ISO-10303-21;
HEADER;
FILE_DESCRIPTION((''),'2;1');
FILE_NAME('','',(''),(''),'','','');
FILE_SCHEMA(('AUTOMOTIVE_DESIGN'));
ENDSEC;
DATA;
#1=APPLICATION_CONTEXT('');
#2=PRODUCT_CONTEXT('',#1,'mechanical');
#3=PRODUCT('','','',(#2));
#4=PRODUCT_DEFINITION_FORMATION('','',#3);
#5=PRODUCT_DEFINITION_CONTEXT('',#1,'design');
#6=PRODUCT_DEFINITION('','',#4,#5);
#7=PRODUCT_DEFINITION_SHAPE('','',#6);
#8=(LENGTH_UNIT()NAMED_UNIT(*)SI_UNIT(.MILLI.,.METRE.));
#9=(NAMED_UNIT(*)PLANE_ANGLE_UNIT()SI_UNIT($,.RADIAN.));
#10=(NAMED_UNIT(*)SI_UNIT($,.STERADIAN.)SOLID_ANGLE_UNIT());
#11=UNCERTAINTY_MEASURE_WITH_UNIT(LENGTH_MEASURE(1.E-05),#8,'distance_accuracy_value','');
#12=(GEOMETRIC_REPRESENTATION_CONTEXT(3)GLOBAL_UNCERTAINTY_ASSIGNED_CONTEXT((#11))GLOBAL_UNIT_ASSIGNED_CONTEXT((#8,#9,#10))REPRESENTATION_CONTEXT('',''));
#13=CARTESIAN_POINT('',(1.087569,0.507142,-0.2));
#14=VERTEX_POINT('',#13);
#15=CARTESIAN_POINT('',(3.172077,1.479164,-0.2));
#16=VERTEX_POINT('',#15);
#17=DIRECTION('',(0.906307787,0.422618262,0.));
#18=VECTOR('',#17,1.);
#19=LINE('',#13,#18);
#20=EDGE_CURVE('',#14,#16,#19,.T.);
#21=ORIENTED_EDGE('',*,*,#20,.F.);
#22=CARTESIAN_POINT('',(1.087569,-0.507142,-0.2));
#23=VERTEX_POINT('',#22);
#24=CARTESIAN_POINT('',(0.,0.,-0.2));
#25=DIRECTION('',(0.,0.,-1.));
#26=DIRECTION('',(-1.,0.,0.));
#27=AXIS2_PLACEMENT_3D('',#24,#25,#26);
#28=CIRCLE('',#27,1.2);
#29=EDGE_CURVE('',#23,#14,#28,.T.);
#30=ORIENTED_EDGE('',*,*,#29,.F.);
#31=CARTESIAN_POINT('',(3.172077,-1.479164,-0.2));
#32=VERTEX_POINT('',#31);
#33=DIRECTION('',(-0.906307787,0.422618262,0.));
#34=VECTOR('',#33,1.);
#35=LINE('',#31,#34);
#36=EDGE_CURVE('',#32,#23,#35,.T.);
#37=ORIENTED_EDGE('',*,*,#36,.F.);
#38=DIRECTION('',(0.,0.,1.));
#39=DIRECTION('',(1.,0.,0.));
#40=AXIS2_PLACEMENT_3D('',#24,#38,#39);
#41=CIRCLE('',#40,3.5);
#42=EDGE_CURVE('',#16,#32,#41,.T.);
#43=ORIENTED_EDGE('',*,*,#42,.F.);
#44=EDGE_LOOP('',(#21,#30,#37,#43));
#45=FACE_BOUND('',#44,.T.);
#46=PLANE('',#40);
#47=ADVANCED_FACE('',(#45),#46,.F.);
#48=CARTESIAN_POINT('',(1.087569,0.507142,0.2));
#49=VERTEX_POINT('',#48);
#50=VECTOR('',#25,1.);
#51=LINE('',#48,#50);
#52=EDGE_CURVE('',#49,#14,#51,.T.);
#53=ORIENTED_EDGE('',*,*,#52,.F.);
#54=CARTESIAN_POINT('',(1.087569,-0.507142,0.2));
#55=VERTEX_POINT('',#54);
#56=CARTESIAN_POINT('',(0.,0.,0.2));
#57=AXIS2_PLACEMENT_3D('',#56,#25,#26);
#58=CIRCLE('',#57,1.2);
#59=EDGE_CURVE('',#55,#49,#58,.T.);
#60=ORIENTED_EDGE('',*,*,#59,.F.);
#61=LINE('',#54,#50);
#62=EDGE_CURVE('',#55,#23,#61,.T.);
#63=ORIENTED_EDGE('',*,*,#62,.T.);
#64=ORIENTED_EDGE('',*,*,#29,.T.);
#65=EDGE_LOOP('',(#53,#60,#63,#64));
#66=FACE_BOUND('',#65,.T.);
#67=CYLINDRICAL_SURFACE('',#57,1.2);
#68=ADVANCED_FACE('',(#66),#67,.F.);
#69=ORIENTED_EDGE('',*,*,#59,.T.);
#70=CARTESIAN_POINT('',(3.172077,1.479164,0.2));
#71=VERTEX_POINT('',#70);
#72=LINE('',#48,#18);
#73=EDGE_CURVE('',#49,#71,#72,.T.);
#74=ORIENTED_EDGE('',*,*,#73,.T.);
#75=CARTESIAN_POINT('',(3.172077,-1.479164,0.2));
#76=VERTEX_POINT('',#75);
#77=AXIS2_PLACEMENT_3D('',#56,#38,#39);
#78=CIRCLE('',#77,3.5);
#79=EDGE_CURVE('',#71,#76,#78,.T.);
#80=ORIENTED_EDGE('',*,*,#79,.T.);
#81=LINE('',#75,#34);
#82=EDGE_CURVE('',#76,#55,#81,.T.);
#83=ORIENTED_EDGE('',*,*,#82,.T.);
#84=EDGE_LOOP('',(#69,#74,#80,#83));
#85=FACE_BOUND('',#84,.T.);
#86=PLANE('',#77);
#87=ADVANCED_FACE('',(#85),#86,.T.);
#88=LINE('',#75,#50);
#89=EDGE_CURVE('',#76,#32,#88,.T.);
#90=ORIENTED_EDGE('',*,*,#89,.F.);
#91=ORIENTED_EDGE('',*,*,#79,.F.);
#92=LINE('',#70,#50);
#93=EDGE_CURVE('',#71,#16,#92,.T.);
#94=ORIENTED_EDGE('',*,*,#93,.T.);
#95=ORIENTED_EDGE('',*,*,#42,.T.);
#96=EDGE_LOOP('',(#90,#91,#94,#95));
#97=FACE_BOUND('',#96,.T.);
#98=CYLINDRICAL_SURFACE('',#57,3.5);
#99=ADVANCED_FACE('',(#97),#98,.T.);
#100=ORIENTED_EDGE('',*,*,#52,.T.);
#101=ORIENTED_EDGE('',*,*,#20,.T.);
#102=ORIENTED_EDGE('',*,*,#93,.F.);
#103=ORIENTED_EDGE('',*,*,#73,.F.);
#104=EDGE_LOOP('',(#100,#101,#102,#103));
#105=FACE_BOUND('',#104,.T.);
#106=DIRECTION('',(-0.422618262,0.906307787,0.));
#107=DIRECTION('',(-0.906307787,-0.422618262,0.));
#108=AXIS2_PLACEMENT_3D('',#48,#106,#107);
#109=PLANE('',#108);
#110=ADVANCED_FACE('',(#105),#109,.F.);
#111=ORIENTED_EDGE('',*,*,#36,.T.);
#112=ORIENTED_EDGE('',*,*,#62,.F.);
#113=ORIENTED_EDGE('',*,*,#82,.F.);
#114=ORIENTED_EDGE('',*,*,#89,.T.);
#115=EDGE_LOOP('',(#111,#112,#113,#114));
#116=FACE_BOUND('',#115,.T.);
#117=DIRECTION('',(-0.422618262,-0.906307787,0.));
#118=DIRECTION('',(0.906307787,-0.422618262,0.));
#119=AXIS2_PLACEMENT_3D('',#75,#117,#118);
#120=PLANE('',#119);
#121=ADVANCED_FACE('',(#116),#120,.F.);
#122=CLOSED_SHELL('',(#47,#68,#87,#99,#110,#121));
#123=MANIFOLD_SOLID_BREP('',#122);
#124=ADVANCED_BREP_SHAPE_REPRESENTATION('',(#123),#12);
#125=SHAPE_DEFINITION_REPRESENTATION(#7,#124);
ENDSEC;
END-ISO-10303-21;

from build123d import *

# Parameters (mm, degrees)
EXTRUDE_1_DEPTH = 0.2


with BuildPart() as part:
    # 草图1 → 凸台-拉伸1 (new, symmetric)
    with BuildSketch(Plane.XY):
        with BuildLine():
            Line((3.172077255, -1.479163916), (1.087569344, -0.507141914))
            ThreePointArc((1.087569344, -0.507141914), (-1.2, 0), (1.087569344, 0.507141914))
            Line((1.087569344, 0.507141914), (3.172077255, 1.479163916))
            ThreePointArc((3.172077255, 1.479163916), (-3.5, 0), (3.172077255, -1.479163916))
        make_face()
    extrude(amount=EXTRUDE_1_DEPTH, both=True)


solid = part.part
